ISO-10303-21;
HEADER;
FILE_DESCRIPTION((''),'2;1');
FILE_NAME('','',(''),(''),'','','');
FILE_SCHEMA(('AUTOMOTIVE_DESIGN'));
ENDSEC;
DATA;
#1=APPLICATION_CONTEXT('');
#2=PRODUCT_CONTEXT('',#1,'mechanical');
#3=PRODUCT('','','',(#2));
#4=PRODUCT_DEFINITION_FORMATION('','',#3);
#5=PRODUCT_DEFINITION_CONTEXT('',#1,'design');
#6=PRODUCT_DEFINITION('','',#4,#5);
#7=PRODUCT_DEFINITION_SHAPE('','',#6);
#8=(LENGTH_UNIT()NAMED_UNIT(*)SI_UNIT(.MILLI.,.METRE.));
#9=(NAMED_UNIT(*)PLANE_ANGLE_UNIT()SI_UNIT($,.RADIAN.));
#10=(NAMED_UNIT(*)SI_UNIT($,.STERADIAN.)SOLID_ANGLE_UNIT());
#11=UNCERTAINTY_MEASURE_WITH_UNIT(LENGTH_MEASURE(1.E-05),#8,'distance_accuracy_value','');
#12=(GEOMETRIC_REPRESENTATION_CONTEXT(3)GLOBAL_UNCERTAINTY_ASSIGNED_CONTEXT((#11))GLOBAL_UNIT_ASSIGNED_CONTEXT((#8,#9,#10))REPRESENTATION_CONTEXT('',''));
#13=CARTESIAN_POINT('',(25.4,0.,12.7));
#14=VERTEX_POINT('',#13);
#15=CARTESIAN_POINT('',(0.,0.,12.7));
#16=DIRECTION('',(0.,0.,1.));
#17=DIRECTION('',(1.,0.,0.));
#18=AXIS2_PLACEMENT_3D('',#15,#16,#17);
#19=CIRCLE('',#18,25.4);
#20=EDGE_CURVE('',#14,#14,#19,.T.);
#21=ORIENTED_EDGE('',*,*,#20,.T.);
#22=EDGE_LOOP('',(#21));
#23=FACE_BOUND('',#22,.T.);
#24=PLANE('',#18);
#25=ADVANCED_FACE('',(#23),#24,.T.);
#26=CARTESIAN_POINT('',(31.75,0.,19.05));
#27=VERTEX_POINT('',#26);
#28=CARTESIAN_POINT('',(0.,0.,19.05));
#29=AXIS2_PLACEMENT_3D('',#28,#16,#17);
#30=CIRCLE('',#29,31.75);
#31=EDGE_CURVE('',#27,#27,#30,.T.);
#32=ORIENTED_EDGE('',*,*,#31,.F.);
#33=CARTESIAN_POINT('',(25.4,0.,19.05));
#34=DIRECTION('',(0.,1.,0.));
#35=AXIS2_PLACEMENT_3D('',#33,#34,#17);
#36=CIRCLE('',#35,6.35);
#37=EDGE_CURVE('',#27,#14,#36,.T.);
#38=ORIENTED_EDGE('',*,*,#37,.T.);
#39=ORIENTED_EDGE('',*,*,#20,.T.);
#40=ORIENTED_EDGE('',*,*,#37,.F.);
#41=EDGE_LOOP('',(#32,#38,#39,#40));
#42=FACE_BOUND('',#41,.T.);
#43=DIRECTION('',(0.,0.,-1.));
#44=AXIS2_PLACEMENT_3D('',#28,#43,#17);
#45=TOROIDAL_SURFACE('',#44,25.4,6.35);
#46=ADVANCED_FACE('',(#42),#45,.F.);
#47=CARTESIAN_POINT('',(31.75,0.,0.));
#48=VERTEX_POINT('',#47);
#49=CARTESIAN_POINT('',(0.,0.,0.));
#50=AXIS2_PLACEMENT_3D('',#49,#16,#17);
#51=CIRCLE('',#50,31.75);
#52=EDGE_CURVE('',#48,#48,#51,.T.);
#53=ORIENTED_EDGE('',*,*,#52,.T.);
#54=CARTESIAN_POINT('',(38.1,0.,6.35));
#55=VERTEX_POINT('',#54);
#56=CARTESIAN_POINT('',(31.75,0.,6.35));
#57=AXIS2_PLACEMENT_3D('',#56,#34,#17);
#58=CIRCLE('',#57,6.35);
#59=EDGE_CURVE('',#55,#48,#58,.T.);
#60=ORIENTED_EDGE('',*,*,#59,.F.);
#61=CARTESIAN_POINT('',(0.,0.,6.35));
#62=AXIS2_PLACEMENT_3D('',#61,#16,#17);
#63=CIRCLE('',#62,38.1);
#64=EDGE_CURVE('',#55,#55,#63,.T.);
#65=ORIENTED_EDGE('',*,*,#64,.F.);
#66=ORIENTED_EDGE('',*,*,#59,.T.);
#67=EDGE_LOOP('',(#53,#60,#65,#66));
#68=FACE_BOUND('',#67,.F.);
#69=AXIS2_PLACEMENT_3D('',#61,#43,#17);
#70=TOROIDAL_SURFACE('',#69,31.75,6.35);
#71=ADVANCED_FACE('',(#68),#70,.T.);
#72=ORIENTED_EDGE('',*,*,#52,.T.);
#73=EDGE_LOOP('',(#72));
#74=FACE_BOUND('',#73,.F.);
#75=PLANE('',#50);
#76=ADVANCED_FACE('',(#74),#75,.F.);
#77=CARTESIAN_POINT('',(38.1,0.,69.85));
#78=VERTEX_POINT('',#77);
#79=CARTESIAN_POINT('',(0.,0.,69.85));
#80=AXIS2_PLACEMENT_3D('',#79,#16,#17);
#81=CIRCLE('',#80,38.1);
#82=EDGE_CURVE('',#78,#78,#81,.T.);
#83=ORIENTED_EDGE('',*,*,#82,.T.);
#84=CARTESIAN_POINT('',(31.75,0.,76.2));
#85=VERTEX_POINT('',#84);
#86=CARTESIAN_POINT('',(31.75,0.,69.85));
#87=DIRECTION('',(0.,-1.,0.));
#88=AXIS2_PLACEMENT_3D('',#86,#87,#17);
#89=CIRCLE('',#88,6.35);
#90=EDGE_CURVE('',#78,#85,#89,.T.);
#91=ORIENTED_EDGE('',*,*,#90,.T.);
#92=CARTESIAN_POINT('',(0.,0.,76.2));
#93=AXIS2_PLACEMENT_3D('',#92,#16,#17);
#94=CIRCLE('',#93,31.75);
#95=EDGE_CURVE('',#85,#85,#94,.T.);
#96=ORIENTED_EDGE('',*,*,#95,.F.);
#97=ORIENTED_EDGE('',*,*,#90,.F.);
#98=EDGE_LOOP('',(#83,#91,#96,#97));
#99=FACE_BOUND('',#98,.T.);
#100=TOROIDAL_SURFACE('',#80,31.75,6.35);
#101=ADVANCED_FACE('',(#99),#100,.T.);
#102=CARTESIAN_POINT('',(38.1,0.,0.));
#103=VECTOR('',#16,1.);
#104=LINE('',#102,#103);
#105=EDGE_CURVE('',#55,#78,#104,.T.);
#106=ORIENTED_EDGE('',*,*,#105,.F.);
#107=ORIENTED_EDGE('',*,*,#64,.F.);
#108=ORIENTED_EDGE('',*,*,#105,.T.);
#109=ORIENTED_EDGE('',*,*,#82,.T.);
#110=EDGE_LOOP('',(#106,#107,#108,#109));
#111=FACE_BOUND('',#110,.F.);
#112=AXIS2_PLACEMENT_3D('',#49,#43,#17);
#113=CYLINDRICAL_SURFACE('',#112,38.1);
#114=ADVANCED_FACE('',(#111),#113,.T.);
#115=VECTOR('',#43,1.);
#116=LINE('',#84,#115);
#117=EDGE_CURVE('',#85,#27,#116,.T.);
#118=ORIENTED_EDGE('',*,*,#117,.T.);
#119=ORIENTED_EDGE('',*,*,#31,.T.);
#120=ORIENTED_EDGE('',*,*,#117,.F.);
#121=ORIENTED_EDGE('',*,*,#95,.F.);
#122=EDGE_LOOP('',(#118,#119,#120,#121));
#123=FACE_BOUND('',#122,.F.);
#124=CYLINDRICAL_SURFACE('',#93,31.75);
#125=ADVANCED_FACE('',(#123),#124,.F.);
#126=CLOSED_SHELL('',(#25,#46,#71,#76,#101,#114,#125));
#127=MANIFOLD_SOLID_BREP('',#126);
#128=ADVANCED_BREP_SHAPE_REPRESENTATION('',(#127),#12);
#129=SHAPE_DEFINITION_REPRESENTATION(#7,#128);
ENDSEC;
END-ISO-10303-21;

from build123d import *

# Parameters (mm, degrees)
F0_R     = 38.1
F1_DEPTH = 76.2
F2_R     = 6.35
F3_R     = 31.75
F4_DEPTH = 63.5
F5_R     = 6.35


with BuildPart() as f1:
    # F0 (on Top) → F1 (new body)
    with BuildSketch(Plane.XY):
        Circle(F0_R)
    extrude(amount=F1_DEPTH)

    # F2
    f2_edges = [f1.edges().sort_by_distance(p)[0] for p in [
        (-38.1, 0, 76.2),
        (-38.1, 0, 0),
    ]]
    fillet(f2_edges, radius=F2_R)

    # F3 (on face) → F4 (cut)
    with BuildSketch(Plane.XY.offset(76.2)):
        Circle(F3_R)
    extrude(amount=-F4_DEPTH, mode=Mode.SUBTRACT)

    # F5
    f5_edges = [f1.edges().sort_by_distance(p)[0] for p in [
        (-31.75, 0, 12.7),
    ]]
    fillet(f5_edges, radius=F5_R)


solid = f1.part
